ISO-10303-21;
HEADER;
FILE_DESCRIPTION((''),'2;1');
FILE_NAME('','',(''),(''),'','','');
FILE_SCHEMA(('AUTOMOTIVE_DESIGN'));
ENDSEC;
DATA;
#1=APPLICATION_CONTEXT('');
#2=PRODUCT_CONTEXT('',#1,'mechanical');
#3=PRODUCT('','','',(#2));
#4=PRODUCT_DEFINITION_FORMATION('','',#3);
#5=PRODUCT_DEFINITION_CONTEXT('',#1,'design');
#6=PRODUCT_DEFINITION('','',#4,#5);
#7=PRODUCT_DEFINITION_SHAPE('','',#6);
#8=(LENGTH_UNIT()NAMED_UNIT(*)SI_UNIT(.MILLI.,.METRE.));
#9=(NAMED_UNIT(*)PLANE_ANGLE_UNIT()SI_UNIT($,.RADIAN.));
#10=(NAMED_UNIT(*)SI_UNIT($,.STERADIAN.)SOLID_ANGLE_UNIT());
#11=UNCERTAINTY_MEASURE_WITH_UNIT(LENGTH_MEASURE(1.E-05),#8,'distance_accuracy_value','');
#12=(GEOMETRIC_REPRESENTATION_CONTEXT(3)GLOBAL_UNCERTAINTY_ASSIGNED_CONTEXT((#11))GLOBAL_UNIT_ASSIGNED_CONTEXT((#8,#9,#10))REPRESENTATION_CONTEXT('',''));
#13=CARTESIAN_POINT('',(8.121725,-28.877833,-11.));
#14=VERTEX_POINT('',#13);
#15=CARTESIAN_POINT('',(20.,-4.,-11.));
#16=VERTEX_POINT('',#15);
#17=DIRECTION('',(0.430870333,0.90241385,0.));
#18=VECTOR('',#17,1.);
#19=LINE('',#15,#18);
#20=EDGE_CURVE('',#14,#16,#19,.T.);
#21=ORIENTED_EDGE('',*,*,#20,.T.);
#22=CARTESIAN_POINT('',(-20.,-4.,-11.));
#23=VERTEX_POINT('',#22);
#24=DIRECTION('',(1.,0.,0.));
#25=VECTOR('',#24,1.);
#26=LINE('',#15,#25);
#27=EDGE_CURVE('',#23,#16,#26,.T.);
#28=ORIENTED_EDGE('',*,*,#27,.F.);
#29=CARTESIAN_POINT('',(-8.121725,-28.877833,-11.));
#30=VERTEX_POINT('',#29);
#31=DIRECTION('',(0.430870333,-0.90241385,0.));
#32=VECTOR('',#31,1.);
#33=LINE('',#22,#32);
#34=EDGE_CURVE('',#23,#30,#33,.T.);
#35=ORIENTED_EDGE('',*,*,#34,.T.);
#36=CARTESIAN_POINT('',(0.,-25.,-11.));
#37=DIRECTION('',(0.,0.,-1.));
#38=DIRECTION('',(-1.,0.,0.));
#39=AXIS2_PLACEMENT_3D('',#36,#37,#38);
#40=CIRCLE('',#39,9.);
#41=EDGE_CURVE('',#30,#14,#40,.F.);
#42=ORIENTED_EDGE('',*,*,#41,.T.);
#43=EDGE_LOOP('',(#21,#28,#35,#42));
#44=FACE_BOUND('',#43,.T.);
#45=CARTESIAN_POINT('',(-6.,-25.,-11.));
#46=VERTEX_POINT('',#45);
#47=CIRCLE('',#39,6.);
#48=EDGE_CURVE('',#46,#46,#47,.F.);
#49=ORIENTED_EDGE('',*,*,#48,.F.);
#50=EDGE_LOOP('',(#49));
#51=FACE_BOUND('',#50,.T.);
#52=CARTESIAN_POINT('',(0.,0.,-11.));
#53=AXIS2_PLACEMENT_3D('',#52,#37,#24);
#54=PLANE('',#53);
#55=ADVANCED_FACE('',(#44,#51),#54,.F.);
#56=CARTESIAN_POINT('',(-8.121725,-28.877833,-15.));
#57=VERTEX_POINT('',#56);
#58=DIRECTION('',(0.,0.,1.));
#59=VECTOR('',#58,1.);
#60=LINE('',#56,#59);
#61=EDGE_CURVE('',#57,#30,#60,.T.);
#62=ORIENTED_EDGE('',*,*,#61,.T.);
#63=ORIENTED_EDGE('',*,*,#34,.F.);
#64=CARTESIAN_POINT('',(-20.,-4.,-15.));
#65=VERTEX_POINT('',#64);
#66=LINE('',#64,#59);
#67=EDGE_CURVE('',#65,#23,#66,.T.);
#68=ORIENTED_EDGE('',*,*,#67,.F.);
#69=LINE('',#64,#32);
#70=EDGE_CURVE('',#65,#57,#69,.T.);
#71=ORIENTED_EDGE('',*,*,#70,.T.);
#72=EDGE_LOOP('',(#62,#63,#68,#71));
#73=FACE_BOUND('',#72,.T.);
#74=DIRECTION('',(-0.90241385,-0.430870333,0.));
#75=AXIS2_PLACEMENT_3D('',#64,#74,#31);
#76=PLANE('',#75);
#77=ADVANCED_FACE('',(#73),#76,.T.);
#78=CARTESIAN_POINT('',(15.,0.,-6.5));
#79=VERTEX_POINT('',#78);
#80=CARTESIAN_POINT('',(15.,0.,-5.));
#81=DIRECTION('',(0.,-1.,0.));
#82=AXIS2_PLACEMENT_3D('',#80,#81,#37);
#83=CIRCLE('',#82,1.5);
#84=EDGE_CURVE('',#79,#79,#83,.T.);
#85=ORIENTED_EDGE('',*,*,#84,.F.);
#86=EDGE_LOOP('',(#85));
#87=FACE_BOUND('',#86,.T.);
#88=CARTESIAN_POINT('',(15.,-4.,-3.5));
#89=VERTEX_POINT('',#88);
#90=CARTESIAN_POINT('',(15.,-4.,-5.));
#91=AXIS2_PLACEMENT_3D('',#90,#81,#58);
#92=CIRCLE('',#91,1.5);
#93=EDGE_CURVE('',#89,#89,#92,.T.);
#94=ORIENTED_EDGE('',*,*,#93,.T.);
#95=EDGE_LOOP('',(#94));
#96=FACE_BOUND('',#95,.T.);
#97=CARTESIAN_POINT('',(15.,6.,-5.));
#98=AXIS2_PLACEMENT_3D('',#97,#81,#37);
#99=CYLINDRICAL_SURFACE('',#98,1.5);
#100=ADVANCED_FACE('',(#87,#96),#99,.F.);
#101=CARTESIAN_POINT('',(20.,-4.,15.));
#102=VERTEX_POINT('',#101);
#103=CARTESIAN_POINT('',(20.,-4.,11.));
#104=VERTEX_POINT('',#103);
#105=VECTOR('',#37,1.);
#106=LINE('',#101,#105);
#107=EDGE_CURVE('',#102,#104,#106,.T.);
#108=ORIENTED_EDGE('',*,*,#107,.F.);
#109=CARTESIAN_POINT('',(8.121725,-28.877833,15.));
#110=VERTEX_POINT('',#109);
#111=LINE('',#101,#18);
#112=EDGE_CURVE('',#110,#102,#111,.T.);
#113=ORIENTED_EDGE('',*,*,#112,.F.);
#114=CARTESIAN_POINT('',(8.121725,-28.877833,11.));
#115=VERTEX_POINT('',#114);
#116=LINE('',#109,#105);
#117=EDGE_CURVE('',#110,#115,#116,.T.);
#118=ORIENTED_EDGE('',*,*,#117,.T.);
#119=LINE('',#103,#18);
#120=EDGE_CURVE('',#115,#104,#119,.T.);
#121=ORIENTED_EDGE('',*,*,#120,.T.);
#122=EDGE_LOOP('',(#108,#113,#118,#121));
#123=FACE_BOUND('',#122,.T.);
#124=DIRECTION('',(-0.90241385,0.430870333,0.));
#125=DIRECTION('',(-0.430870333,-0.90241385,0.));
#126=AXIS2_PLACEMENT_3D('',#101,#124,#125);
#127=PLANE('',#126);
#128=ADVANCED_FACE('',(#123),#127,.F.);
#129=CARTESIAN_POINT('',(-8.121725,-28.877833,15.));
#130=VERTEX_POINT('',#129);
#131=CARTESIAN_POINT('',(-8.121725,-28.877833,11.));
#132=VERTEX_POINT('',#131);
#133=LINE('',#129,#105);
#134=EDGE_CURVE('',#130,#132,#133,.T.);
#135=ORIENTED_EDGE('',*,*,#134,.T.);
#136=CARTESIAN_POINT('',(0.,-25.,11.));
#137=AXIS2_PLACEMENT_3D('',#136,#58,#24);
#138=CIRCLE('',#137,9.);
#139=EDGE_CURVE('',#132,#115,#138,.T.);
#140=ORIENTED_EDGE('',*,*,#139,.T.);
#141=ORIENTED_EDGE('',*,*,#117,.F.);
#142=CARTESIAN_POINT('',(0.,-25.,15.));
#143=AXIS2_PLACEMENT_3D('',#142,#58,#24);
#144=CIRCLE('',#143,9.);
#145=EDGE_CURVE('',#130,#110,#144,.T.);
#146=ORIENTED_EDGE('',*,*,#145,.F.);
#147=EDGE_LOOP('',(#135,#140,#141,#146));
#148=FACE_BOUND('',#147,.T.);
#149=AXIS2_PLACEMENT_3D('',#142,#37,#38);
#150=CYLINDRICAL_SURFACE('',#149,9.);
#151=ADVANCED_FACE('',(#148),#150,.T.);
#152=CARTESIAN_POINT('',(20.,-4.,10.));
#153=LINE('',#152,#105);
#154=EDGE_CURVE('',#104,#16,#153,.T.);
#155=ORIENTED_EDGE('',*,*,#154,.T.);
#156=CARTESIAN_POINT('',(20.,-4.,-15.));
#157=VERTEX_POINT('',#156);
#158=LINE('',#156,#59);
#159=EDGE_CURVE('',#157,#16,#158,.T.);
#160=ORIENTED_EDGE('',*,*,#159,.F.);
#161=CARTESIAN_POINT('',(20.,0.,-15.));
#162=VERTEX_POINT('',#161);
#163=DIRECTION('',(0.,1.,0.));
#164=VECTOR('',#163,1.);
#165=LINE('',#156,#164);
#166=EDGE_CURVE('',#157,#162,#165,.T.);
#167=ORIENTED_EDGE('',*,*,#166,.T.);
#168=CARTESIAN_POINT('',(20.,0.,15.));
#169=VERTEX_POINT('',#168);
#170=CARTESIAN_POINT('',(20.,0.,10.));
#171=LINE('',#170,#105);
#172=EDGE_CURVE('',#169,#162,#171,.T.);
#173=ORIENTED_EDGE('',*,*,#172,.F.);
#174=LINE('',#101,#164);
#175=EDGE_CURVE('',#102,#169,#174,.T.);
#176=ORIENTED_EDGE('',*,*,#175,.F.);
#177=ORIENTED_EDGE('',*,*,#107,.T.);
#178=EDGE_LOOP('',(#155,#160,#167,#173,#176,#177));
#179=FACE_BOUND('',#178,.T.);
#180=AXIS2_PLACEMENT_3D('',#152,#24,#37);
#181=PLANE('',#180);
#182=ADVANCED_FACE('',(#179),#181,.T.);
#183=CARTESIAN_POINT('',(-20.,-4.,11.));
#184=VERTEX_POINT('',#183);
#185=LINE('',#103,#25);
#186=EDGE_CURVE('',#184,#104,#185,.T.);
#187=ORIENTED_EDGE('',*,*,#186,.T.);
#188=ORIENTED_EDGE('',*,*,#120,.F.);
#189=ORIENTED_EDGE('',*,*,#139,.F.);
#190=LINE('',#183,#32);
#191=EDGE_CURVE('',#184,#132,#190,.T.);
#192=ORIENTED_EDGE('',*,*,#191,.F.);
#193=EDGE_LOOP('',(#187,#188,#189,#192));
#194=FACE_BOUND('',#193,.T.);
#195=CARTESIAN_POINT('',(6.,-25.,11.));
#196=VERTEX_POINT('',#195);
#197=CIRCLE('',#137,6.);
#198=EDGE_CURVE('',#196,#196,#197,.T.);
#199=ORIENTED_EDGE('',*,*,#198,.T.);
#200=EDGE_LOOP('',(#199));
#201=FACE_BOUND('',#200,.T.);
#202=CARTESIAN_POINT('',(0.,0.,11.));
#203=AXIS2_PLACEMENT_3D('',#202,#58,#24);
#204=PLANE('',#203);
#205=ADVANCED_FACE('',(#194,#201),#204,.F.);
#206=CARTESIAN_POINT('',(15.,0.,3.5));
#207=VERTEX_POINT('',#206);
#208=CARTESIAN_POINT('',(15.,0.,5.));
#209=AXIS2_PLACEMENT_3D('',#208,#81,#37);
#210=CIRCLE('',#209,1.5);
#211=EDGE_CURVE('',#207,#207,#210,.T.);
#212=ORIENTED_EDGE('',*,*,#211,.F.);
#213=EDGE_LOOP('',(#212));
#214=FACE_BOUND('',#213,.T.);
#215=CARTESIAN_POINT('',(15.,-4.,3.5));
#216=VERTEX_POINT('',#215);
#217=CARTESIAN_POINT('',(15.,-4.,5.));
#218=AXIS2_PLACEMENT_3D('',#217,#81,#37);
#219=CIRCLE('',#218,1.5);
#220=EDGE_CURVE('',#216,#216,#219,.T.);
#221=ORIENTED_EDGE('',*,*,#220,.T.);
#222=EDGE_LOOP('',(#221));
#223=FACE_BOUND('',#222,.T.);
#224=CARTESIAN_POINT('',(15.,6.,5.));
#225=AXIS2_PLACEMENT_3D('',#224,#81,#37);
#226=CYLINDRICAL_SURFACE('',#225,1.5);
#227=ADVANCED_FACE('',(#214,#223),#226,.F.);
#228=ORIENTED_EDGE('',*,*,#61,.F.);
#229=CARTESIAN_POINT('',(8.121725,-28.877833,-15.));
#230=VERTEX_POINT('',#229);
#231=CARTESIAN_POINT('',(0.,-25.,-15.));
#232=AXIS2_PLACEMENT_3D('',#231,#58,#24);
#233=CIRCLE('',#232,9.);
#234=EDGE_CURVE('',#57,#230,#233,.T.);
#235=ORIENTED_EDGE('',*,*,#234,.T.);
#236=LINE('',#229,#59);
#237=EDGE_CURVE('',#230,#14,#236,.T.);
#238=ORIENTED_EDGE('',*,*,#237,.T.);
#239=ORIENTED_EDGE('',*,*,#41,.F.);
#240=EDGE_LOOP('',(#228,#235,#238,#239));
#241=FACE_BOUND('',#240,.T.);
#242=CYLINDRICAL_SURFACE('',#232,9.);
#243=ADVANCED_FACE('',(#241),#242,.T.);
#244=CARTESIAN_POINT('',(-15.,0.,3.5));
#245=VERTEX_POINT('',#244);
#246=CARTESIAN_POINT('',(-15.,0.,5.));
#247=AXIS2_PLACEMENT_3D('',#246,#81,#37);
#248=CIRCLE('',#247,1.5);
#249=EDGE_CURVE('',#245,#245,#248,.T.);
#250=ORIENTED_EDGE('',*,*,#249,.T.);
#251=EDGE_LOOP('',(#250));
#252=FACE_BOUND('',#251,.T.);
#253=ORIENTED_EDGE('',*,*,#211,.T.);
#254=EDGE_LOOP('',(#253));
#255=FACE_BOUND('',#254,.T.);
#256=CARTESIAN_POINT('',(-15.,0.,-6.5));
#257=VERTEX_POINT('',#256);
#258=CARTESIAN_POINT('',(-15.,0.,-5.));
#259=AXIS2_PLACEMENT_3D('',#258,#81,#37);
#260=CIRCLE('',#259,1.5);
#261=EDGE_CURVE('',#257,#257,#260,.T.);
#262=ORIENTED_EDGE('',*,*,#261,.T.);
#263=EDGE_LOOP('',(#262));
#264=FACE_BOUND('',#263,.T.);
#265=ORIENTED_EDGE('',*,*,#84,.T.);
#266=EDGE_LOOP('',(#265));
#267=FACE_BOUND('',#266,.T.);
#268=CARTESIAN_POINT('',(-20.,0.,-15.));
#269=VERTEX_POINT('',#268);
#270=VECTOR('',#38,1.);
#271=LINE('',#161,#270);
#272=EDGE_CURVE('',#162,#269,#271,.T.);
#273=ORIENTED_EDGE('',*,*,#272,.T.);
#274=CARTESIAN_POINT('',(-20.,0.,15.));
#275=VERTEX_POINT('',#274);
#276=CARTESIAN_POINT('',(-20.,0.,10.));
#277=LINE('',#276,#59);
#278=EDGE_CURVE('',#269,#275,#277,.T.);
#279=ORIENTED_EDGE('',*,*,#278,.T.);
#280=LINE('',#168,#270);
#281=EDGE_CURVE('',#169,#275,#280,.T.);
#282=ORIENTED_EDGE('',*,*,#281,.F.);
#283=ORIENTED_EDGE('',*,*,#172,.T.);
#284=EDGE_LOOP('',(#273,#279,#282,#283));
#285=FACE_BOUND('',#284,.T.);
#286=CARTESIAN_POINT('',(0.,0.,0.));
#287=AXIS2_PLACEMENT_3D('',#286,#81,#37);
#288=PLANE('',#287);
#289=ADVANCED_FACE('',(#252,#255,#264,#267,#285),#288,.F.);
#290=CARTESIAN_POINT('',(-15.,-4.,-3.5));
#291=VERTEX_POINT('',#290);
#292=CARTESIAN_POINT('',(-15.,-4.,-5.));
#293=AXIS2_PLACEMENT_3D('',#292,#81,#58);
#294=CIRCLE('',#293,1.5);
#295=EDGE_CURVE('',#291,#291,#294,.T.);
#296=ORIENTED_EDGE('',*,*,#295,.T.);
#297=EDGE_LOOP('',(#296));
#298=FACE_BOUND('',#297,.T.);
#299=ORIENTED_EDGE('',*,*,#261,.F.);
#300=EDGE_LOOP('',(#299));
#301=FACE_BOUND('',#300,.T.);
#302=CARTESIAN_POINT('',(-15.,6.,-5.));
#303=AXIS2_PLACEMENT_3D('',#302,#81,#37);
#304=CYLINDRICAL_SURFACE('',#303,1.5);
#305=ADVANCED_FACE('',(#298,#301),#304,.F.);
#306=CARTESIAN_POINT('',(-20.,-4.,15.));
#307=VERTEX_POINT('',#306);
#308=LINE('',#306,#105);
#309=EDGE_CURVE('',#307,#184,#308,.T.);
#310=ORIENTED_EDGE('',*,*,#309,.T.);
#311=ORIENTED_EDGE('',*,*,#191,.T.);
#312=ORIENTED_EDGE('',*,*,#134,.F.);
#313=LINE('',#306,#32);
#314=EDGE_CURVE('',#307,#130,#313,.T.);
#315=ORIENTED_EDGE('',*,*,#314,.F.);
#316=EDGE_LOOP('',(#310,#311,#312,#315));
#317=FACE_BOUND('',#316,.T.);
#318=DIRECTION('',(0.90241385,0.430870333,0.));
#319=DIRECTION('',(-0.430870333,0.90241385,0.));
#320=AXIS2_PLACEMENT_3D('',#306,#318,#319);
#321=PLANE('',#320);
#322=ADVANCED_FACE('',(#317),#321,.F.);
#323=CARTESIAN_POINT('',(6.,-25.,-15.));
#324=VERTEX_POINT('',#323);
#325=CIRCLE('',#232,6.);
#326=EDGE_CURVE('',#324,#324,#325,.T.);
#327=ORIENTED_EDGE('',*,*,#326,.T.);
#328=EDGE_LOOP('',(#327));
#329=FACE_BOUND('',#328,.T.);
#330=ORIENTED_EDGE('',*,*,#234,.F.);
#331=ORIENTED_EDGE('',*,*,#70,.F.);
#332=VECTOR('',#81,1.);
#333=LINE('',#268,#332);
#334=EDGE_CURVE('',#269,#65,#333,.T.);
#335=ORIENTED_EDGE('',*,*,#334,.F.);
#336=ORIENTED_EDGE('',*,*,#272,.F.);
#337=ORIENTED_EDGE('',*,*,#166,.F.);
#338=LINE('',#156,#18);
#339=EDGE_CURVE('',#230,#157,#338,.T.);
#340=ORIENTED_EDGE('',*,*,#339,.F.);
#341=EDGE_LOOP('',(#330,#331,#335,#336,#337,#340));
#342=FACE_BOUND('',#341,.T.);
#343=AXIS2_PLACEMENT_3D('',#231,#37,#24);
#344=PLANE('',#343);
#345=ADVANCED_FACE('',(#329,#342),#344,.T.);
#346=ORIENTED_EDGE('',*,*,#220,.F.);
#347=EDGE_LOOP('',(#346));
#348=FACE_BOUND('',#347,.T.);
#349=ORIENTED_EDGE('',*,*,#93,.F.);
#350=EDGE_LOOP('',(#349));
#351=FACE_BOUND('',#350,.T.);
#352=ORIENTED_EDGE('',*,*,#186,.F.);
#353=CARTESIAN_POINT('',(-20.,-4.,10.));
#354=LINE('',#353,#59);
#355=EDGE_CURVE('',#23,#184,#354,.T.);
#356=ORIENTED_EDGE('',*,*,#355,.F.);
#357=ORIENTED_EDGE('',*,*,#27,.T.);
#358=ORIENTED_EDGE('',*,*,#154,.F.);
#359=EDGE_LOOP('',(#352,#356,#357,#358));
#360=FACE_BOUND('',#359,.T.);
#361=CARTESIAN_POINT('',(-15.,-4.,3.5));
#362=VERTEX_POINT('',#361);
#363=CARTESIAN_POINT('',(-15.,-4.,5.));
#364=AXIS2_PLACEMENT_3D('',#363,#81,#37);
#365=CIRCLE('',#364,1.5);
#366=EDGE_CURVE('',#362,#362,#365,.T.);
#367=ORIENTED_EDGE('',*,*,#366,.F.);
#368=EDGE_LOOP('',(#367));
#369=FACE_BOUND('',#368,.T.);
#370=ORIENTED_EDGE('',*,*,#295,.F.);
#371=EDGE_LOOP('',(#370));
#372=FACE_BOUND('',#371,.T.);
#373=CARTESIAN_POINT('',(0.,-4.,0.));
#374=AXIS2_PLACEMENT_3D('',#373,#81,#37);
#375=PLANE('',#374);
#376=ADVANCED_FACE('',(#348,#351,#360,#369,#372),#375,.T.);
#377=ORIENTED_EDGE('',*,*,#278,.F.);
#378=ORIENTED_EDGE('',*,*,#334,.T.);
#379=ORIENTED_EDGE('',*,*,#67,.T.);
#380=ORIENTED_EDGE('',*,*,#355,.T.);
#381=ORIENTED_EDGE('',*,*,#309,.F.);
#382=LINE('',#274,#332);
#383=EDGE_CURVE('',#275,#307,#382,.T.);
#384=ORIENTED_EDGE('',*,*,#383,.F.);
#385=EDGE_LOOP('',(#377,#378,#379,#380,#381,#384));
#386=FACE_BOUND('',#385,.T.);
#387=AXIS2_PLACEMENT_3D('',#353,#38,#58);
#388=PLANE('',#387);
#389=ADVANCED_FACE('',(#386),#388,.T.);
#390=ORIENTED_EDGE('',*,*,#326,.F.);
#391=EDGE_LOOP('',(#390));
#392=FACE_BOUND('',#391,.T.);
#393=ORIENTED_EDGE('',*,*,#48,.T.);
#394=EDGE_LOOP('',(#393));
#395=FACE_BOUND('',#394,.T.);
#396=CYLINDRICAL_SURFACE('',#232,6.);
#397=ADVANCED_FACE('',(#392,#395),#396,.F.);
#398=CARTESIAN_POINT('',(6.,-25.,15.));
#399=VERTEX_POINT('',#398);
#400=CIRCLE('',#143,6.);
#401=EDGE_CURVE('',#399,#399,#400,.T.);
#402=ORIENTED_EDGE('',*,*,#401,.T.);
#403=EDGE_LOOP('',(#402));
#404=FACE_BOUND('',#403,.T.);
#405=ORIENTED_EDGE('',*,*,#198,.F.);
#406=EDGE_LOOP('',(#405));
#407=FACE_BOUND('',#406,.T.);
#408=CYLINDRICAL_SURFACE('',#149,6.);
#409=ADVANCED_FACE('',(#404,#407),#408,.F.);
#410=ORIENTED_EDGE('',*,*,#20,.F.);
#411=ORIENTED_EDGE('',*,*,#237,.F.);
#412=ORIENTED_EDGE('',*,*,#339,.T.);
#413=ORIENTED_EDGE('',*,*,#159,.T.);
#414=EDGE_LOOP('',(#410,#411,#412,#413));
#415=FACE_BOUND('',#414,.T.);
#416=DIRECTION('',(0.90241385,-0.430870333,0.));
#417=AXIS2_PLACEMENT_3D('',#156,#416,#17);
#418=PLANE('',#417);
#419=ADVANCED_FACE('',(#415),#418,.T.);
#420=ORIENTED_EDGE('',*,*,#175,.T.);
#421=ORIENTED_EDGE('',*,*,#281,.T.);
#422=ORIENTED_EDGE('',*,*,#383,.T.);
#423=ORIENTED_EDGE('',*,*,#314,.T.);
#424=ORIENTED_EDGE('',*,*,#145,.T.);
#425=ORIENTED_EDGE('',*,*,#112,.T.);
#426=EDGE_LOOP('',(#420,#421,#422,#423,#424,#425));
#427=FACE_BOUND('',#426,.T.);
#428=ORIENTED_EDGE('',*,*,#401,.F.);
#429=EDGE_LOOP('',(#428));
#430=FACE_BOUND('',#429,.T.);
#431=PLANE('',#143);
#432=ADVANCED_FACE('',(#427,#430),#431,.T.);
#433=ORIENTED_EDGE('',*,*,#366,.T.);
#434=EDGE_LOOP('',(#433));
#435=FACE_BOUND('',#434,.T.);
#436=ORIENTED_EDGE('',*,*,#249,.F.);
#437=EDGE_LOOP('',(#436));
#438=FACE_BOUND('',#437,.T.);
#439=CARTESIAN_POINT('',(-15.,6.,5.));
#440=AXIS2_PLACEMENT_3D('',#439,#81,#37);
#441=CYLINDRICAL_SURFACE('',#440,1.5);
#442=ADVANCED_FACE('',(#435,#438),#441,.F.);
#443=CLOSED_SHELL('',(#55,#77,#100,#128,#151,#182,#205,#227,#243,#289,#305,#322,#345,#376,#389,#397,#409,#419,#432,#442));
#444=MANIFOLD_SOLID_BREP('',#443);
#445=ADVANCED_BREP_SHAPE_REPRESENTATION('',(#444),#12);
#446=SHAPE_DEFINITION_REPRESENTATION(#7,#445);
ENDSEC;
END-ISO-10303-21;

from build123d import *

# Parameters (mm, degrees)
SKETCH_1_W          = 40
SKETCH_1_H          = 20
EXTRUDE_1_DEPTH     = 4
SKETCH_2_R          = 6
EXTRUDE_2_DEPTH     = 5
SKETCH_3_W          = 40
SKETCH_3_H          = 35
CUT_EXTRUDE_1_DEPTH = 1
SKETCH_6_R          = 1.5
CUT_EXTRUDE_3_DEPTH = 10


with BuildPart() as part:
    # 草图1 → 凸台-拉伸1 (new body)
    with BuildSketch(Plane(origin=(0, 0, 0), x_dir=(1, 0, 0), z_dir=(0, 1, 0))):
        Rectangle(SKETCH_1_W, SKETCH_1_H)
    extrude(amount=-EXTRUDE_1_DEPTH)

    # 草图2 → 凸台-拉伸2 (add)
    with BuildSketch(Plane.XY.offset(10)):
        with BuildLine():
            Line((20, -4), (20, 0))
            Line((20, 0), (-20, 0))
            Line((-20, 0), (-20, -4))
            Line((-20, -4), (-8.121724647, -28.877832997))
            ThreePointArc((-8.121724647, -28.877832997), (0, -34), (8.121724647, -28.877832997))
            Line((8.121724647, -28.877832997), (20, -4))
        make_face()
        with Locations((0, -25)):
            Circle(SKETCH_2_R, mode=Mode.SUBTRACT)
    extrude_2 = extrude(amount=EXTRUDE_2_DEPTH)

    # 草图3 → 切除-拉伸1 (cut)
    with BuildSketch(Plane(origin=(0, 0, 10), x_dir=(-1, 0, 0), z_dir=(0, 0, -1))):
        with Locations((0, -21.5)):
            Rectangle(SKETCH_3_W, SKETCH_3_H)
    cut_extrude_1 = extrude(amount=-CUT_EXTRUDE_1_DEPTH, mode=Mode.SUBTRACT)

    # 镜向1: 凸台-拉伸2, 切除-拉伸1 across plane
    add(extrude_2.mirror(Plane.XY))
    add(cut_extrude_1.mirror(Plane.XY), mode=Mode.SUBTRACT)

    # 草图6 → 切除-拉伸3 (cut)
    with BuildSketch(Plane.XZ.offset(4)):
        with Locations(Location((-15, 5, 0), (0, 0, 270))):
            Circle(SKETCH_6_R)
        with Locations(Location((15, 5, 0), (0, 0, 270))):
            Circle(SKETCH_6_R)
        with Locations(Location((-15, -5, 0), (0, 0, 270))):
            Circle(SKETCH_6_R)
        with Locations(Location((15, -5, 0), (0, 0, 270))):
            Circle(SKETCH_6_R)
    extrude(amount=-CUT_EXTRUDE_3_DEPTH, mode=Mode.SUBTRACT)


solid = part.part
